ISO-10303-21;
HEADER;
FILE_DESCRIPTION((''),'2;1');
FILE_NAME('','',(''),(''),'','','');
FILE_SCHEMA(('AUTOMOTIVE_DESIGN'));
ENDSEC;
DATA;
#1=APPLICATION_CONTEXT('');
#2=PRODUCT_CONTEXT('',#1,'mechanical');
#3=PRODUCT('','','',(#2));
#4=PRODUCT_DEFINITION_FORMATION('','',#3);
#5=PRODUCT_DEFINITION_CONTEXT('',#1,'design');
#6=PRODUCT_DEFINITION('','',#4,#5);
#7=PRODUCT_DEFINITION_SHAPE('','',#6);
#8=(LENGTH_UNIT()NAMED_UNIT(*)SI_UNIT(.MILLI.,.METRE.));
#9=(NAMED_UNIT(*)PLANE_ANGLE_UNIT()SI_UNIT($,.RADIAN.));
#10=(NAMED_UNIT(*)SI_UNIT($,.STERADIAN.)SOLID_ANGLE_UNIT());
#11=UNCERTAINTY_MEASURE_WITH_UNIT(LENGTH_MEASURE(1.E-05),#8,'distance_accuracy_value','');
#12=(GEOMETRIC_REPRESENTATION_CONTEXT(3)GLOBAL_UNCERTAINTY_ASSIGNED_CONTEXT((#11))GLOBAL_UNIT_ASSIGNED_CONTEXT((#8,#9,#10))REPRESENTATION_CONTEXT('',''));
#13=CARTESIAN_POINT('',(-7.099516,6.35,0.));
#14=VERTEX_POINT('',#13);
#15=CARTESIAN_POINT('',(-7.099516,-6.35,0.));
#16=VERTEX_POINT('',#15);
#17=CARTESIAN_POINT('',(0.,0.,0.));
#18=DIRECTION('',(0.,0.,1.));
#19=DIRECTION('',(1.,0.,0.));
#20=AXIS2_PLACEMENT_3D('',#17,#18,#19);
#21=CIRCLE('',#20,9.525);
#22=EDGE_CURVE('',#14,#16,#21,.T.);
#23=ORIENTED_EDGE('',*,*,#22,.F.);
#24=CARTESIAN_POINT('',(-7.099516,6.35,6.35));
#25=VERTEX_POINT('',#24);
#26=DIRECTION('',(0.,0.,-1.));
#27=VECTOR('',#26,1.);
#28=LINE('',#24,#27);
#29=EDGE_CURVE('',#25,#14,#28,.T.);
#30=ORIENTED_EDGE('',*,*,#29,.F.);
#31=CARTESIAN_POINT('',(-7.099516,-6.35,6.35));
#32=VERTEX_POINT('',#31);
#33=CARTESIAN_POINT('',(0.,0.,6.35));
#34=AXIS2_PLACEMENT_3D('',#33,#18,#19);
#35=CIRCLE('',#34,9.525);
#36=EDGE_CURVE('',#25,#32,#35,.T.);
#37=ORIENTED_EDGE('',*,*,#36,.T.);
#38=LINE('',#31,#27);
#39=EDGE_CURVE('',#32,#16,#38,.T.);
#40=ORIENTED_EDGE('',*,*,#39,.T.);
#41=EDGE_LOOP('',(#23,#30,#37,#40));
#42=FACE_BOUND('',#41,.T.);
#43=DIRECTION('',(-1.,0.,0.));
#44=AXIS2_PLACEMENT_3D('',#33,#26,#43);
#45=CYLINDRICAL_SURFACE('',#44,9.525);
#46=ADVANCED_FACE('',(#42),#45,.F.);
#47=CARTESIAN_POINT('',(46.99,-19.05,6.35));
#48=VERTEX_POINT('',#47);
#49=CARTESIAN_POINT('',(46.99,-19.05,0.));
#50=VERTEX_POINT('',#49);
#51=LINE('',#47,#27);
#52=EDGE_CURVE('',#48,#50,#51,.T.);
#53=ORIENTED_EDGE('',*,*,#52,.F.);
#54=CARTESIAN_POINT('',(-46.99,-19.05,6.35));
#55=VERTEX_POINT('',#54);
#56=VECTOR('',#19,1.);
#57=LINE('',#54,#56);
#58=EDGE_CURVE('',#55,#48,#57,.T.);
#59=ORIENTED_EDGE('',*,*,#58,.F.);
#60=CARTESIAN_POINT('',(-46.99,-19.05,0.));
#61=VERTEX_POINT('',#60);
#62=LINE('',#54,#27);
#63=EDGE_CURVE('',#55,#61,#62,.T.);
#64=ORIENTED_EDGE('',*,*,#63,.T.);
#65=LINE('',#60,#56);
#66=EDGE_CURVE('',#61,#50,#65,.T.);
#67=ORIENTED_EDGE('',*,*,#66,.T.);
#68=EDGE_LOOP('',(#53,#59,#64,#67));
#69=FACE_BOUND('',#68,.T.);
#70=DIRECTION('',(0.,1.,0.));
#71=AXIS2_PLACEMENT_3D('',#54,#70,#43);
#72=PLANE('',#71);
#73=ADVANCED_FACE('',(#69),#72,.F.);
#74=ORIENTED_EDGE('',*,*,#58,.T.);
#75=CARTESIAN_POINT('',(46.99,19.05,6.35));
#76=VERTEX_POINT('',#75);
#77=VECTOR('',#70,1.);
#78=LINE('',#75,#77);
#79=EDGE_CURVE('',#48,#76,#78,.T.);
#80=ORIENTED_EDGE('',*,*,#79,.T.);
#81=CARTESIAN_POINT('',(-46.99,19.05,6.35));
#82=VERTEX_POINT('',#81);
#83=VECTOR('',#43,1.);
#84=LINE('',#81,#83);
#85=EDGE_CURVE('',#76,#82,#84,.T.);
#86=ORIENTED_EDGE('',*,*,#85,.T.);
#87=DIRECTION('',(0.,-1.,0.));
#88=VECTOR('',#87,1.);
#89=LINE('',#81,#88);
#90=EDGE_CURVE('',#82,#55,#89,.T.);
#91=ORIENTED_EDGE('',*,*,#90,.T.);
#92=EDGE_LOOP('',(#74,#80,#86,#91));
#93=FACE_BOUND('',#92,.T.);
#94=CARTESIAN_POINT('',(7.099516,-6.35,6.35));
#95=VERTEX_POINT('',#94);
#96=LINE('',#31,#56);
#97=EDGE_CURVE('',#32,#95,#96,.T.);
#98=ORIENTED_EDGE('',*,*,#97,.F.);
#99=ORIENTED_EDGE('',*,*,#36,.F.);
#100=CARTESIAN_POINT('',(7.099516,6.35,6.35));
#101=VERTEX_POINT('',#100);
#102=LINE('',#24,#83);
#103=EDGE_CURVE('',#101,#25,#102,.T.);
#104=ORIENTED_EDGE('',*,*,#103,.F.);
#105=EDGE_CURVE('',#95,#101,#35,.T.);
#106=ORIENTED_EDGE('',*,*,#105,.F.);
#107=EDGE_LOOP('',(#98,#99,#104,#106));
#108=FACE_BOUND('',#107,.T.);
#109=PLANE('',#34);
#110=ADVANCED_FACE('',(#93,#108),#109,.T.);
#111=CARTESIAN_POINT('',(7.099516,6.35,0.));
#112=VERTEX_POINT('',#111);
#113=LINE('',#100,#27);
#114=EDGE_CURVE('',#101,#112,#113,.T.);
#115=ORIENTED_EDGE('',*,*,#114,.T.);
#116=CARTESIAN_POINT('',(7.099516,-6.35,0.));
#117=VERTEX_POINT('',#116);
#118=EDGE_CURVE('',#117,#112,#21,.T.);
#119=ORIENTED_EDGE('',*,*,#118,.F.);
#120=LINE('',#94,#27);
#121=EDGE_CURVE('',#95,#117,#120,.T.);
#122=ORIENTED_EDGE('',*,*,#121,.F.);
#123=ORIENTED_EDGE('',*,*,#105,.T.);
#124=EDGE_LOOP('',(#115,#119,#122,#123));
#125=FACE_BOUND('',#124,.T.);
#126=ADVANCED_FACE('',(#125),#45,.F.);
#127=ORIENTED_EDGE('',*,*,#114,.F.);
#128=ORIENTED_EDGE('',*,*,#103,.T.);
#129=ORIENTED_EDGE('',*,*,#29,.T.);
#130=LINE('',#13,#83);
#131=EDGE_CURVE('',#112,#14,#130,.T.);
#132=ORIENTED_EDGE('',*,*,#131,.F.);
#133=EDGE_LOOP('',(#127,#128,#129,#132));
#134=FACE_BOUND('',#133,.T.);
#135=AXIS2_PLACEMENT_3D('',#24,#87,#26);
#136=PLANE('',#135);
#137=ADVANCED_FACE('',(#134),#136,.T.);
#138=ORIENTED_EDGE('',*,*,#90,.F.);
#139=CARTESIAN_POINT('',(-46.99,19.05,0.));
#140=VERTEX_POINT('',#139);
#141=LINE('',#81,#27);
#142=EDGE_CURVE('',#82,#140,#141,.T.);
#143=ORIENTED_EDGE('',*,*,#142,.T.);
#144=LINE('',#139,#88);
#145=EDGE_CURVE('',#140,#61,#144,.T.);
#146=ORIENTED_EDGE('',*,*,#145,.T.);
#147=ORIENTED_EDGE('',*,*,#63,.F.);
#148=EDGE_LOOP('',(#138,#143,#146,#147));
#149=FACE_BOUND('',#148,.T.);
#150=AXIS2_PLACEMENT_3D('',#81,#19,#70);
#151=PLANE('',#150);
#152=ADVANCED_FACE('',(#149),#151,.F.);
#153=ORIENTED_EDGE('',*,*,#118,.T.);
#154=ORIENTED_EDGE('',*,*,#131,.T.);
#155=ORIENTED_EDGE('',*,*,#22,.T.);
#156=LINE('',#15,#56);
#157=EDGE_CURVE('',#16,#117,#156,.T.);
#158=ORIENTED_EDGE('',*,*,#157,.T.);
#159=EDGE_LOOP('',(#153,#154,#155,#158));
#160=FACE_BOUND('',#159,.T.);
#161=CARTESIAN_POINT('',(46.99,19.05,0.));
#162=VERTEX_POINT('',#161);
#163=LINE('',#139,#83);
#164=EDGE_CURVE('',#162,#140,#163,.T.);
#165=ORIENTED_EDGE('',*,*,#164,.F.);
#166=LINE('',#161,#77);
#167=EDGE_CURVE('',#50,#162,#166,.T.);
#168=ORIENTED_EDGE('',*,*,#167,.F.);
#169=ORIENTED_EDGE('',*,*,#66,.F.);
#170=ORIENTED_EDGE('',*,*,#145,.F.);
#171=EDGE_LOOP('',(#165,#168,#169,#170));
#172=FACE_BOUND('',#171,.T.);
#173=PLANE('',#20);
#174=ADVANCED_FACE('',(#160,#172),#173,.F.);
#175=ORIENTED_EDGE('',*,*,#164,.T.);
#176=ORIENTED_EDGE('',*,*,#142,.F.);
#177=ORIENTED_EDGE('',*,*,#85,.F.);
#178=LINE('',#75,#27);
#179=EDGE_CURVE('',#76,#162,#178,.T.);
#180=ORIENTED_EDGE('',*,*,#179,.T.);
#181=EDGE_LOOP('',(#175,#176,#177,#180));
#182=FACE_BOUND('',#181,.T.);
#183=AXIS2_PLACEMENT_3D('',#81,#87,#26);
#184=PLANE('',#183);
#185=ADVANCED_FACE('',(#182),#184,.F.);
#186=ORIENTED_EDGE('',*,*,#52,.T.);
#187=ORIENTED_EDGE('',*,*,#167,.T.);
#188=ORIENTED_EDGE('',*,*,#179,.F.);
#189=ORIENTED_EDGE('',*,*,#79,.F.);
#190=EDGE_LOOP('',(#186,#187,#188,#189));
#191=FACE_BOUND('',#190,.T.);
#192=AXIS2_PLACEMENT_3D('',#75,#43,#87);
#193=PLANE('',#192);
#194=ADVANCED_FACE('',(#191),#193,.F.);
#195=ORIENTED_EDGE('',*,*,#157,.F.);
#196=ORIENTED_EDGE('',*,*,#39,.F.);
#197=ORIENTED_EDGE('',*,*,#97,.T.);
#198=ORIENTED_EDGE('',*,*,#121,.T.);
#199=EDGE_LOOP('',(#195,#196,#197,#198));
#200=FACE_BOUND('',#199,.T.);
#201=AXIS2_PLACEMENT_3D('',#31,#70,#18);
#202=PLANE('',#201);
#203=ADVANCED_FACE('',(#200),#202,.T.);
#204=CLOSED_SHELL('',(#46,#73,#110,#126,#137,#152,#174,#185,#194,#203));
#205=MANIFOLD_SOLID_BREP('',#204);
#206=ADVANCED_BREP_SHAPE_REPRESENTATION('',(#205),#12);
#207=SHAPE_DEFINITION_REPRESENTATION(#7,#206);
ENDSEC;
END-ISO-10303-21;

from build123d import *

# Parameters (mm, degrees)
SKETCH1_W           = 93.98
SKETCH1_H           = 38.1
BOSS_EXTRUDE1_DEPTH = 6.35


with BuildPart() as part:
    # Sketch1 → Boss-Extrude1 (new body)
    with BuildSketch(Plane.XY):
        Rectangle(SKETCH1_W, SKETCH1_H)
        with BuildLine():
            Line((-7.099515829, -6.35), (7.099515829, -6.35))
            ThreePointArc((7.099515829, -6.35), (9.525, 0), (7.099515829, 6.35))
            Line((7.099515829, 6.35), (-7.099515829, 6.35))
            ThreePointArc((-7.099515829, 6.35), (-9.525, 0), (-7.099515829, -6.35))
        make_face(mode=Mode.SUBTRACT)
    extrude(amount=BOSS_EXTRUDE1_DEPTH)


solid = part.part
